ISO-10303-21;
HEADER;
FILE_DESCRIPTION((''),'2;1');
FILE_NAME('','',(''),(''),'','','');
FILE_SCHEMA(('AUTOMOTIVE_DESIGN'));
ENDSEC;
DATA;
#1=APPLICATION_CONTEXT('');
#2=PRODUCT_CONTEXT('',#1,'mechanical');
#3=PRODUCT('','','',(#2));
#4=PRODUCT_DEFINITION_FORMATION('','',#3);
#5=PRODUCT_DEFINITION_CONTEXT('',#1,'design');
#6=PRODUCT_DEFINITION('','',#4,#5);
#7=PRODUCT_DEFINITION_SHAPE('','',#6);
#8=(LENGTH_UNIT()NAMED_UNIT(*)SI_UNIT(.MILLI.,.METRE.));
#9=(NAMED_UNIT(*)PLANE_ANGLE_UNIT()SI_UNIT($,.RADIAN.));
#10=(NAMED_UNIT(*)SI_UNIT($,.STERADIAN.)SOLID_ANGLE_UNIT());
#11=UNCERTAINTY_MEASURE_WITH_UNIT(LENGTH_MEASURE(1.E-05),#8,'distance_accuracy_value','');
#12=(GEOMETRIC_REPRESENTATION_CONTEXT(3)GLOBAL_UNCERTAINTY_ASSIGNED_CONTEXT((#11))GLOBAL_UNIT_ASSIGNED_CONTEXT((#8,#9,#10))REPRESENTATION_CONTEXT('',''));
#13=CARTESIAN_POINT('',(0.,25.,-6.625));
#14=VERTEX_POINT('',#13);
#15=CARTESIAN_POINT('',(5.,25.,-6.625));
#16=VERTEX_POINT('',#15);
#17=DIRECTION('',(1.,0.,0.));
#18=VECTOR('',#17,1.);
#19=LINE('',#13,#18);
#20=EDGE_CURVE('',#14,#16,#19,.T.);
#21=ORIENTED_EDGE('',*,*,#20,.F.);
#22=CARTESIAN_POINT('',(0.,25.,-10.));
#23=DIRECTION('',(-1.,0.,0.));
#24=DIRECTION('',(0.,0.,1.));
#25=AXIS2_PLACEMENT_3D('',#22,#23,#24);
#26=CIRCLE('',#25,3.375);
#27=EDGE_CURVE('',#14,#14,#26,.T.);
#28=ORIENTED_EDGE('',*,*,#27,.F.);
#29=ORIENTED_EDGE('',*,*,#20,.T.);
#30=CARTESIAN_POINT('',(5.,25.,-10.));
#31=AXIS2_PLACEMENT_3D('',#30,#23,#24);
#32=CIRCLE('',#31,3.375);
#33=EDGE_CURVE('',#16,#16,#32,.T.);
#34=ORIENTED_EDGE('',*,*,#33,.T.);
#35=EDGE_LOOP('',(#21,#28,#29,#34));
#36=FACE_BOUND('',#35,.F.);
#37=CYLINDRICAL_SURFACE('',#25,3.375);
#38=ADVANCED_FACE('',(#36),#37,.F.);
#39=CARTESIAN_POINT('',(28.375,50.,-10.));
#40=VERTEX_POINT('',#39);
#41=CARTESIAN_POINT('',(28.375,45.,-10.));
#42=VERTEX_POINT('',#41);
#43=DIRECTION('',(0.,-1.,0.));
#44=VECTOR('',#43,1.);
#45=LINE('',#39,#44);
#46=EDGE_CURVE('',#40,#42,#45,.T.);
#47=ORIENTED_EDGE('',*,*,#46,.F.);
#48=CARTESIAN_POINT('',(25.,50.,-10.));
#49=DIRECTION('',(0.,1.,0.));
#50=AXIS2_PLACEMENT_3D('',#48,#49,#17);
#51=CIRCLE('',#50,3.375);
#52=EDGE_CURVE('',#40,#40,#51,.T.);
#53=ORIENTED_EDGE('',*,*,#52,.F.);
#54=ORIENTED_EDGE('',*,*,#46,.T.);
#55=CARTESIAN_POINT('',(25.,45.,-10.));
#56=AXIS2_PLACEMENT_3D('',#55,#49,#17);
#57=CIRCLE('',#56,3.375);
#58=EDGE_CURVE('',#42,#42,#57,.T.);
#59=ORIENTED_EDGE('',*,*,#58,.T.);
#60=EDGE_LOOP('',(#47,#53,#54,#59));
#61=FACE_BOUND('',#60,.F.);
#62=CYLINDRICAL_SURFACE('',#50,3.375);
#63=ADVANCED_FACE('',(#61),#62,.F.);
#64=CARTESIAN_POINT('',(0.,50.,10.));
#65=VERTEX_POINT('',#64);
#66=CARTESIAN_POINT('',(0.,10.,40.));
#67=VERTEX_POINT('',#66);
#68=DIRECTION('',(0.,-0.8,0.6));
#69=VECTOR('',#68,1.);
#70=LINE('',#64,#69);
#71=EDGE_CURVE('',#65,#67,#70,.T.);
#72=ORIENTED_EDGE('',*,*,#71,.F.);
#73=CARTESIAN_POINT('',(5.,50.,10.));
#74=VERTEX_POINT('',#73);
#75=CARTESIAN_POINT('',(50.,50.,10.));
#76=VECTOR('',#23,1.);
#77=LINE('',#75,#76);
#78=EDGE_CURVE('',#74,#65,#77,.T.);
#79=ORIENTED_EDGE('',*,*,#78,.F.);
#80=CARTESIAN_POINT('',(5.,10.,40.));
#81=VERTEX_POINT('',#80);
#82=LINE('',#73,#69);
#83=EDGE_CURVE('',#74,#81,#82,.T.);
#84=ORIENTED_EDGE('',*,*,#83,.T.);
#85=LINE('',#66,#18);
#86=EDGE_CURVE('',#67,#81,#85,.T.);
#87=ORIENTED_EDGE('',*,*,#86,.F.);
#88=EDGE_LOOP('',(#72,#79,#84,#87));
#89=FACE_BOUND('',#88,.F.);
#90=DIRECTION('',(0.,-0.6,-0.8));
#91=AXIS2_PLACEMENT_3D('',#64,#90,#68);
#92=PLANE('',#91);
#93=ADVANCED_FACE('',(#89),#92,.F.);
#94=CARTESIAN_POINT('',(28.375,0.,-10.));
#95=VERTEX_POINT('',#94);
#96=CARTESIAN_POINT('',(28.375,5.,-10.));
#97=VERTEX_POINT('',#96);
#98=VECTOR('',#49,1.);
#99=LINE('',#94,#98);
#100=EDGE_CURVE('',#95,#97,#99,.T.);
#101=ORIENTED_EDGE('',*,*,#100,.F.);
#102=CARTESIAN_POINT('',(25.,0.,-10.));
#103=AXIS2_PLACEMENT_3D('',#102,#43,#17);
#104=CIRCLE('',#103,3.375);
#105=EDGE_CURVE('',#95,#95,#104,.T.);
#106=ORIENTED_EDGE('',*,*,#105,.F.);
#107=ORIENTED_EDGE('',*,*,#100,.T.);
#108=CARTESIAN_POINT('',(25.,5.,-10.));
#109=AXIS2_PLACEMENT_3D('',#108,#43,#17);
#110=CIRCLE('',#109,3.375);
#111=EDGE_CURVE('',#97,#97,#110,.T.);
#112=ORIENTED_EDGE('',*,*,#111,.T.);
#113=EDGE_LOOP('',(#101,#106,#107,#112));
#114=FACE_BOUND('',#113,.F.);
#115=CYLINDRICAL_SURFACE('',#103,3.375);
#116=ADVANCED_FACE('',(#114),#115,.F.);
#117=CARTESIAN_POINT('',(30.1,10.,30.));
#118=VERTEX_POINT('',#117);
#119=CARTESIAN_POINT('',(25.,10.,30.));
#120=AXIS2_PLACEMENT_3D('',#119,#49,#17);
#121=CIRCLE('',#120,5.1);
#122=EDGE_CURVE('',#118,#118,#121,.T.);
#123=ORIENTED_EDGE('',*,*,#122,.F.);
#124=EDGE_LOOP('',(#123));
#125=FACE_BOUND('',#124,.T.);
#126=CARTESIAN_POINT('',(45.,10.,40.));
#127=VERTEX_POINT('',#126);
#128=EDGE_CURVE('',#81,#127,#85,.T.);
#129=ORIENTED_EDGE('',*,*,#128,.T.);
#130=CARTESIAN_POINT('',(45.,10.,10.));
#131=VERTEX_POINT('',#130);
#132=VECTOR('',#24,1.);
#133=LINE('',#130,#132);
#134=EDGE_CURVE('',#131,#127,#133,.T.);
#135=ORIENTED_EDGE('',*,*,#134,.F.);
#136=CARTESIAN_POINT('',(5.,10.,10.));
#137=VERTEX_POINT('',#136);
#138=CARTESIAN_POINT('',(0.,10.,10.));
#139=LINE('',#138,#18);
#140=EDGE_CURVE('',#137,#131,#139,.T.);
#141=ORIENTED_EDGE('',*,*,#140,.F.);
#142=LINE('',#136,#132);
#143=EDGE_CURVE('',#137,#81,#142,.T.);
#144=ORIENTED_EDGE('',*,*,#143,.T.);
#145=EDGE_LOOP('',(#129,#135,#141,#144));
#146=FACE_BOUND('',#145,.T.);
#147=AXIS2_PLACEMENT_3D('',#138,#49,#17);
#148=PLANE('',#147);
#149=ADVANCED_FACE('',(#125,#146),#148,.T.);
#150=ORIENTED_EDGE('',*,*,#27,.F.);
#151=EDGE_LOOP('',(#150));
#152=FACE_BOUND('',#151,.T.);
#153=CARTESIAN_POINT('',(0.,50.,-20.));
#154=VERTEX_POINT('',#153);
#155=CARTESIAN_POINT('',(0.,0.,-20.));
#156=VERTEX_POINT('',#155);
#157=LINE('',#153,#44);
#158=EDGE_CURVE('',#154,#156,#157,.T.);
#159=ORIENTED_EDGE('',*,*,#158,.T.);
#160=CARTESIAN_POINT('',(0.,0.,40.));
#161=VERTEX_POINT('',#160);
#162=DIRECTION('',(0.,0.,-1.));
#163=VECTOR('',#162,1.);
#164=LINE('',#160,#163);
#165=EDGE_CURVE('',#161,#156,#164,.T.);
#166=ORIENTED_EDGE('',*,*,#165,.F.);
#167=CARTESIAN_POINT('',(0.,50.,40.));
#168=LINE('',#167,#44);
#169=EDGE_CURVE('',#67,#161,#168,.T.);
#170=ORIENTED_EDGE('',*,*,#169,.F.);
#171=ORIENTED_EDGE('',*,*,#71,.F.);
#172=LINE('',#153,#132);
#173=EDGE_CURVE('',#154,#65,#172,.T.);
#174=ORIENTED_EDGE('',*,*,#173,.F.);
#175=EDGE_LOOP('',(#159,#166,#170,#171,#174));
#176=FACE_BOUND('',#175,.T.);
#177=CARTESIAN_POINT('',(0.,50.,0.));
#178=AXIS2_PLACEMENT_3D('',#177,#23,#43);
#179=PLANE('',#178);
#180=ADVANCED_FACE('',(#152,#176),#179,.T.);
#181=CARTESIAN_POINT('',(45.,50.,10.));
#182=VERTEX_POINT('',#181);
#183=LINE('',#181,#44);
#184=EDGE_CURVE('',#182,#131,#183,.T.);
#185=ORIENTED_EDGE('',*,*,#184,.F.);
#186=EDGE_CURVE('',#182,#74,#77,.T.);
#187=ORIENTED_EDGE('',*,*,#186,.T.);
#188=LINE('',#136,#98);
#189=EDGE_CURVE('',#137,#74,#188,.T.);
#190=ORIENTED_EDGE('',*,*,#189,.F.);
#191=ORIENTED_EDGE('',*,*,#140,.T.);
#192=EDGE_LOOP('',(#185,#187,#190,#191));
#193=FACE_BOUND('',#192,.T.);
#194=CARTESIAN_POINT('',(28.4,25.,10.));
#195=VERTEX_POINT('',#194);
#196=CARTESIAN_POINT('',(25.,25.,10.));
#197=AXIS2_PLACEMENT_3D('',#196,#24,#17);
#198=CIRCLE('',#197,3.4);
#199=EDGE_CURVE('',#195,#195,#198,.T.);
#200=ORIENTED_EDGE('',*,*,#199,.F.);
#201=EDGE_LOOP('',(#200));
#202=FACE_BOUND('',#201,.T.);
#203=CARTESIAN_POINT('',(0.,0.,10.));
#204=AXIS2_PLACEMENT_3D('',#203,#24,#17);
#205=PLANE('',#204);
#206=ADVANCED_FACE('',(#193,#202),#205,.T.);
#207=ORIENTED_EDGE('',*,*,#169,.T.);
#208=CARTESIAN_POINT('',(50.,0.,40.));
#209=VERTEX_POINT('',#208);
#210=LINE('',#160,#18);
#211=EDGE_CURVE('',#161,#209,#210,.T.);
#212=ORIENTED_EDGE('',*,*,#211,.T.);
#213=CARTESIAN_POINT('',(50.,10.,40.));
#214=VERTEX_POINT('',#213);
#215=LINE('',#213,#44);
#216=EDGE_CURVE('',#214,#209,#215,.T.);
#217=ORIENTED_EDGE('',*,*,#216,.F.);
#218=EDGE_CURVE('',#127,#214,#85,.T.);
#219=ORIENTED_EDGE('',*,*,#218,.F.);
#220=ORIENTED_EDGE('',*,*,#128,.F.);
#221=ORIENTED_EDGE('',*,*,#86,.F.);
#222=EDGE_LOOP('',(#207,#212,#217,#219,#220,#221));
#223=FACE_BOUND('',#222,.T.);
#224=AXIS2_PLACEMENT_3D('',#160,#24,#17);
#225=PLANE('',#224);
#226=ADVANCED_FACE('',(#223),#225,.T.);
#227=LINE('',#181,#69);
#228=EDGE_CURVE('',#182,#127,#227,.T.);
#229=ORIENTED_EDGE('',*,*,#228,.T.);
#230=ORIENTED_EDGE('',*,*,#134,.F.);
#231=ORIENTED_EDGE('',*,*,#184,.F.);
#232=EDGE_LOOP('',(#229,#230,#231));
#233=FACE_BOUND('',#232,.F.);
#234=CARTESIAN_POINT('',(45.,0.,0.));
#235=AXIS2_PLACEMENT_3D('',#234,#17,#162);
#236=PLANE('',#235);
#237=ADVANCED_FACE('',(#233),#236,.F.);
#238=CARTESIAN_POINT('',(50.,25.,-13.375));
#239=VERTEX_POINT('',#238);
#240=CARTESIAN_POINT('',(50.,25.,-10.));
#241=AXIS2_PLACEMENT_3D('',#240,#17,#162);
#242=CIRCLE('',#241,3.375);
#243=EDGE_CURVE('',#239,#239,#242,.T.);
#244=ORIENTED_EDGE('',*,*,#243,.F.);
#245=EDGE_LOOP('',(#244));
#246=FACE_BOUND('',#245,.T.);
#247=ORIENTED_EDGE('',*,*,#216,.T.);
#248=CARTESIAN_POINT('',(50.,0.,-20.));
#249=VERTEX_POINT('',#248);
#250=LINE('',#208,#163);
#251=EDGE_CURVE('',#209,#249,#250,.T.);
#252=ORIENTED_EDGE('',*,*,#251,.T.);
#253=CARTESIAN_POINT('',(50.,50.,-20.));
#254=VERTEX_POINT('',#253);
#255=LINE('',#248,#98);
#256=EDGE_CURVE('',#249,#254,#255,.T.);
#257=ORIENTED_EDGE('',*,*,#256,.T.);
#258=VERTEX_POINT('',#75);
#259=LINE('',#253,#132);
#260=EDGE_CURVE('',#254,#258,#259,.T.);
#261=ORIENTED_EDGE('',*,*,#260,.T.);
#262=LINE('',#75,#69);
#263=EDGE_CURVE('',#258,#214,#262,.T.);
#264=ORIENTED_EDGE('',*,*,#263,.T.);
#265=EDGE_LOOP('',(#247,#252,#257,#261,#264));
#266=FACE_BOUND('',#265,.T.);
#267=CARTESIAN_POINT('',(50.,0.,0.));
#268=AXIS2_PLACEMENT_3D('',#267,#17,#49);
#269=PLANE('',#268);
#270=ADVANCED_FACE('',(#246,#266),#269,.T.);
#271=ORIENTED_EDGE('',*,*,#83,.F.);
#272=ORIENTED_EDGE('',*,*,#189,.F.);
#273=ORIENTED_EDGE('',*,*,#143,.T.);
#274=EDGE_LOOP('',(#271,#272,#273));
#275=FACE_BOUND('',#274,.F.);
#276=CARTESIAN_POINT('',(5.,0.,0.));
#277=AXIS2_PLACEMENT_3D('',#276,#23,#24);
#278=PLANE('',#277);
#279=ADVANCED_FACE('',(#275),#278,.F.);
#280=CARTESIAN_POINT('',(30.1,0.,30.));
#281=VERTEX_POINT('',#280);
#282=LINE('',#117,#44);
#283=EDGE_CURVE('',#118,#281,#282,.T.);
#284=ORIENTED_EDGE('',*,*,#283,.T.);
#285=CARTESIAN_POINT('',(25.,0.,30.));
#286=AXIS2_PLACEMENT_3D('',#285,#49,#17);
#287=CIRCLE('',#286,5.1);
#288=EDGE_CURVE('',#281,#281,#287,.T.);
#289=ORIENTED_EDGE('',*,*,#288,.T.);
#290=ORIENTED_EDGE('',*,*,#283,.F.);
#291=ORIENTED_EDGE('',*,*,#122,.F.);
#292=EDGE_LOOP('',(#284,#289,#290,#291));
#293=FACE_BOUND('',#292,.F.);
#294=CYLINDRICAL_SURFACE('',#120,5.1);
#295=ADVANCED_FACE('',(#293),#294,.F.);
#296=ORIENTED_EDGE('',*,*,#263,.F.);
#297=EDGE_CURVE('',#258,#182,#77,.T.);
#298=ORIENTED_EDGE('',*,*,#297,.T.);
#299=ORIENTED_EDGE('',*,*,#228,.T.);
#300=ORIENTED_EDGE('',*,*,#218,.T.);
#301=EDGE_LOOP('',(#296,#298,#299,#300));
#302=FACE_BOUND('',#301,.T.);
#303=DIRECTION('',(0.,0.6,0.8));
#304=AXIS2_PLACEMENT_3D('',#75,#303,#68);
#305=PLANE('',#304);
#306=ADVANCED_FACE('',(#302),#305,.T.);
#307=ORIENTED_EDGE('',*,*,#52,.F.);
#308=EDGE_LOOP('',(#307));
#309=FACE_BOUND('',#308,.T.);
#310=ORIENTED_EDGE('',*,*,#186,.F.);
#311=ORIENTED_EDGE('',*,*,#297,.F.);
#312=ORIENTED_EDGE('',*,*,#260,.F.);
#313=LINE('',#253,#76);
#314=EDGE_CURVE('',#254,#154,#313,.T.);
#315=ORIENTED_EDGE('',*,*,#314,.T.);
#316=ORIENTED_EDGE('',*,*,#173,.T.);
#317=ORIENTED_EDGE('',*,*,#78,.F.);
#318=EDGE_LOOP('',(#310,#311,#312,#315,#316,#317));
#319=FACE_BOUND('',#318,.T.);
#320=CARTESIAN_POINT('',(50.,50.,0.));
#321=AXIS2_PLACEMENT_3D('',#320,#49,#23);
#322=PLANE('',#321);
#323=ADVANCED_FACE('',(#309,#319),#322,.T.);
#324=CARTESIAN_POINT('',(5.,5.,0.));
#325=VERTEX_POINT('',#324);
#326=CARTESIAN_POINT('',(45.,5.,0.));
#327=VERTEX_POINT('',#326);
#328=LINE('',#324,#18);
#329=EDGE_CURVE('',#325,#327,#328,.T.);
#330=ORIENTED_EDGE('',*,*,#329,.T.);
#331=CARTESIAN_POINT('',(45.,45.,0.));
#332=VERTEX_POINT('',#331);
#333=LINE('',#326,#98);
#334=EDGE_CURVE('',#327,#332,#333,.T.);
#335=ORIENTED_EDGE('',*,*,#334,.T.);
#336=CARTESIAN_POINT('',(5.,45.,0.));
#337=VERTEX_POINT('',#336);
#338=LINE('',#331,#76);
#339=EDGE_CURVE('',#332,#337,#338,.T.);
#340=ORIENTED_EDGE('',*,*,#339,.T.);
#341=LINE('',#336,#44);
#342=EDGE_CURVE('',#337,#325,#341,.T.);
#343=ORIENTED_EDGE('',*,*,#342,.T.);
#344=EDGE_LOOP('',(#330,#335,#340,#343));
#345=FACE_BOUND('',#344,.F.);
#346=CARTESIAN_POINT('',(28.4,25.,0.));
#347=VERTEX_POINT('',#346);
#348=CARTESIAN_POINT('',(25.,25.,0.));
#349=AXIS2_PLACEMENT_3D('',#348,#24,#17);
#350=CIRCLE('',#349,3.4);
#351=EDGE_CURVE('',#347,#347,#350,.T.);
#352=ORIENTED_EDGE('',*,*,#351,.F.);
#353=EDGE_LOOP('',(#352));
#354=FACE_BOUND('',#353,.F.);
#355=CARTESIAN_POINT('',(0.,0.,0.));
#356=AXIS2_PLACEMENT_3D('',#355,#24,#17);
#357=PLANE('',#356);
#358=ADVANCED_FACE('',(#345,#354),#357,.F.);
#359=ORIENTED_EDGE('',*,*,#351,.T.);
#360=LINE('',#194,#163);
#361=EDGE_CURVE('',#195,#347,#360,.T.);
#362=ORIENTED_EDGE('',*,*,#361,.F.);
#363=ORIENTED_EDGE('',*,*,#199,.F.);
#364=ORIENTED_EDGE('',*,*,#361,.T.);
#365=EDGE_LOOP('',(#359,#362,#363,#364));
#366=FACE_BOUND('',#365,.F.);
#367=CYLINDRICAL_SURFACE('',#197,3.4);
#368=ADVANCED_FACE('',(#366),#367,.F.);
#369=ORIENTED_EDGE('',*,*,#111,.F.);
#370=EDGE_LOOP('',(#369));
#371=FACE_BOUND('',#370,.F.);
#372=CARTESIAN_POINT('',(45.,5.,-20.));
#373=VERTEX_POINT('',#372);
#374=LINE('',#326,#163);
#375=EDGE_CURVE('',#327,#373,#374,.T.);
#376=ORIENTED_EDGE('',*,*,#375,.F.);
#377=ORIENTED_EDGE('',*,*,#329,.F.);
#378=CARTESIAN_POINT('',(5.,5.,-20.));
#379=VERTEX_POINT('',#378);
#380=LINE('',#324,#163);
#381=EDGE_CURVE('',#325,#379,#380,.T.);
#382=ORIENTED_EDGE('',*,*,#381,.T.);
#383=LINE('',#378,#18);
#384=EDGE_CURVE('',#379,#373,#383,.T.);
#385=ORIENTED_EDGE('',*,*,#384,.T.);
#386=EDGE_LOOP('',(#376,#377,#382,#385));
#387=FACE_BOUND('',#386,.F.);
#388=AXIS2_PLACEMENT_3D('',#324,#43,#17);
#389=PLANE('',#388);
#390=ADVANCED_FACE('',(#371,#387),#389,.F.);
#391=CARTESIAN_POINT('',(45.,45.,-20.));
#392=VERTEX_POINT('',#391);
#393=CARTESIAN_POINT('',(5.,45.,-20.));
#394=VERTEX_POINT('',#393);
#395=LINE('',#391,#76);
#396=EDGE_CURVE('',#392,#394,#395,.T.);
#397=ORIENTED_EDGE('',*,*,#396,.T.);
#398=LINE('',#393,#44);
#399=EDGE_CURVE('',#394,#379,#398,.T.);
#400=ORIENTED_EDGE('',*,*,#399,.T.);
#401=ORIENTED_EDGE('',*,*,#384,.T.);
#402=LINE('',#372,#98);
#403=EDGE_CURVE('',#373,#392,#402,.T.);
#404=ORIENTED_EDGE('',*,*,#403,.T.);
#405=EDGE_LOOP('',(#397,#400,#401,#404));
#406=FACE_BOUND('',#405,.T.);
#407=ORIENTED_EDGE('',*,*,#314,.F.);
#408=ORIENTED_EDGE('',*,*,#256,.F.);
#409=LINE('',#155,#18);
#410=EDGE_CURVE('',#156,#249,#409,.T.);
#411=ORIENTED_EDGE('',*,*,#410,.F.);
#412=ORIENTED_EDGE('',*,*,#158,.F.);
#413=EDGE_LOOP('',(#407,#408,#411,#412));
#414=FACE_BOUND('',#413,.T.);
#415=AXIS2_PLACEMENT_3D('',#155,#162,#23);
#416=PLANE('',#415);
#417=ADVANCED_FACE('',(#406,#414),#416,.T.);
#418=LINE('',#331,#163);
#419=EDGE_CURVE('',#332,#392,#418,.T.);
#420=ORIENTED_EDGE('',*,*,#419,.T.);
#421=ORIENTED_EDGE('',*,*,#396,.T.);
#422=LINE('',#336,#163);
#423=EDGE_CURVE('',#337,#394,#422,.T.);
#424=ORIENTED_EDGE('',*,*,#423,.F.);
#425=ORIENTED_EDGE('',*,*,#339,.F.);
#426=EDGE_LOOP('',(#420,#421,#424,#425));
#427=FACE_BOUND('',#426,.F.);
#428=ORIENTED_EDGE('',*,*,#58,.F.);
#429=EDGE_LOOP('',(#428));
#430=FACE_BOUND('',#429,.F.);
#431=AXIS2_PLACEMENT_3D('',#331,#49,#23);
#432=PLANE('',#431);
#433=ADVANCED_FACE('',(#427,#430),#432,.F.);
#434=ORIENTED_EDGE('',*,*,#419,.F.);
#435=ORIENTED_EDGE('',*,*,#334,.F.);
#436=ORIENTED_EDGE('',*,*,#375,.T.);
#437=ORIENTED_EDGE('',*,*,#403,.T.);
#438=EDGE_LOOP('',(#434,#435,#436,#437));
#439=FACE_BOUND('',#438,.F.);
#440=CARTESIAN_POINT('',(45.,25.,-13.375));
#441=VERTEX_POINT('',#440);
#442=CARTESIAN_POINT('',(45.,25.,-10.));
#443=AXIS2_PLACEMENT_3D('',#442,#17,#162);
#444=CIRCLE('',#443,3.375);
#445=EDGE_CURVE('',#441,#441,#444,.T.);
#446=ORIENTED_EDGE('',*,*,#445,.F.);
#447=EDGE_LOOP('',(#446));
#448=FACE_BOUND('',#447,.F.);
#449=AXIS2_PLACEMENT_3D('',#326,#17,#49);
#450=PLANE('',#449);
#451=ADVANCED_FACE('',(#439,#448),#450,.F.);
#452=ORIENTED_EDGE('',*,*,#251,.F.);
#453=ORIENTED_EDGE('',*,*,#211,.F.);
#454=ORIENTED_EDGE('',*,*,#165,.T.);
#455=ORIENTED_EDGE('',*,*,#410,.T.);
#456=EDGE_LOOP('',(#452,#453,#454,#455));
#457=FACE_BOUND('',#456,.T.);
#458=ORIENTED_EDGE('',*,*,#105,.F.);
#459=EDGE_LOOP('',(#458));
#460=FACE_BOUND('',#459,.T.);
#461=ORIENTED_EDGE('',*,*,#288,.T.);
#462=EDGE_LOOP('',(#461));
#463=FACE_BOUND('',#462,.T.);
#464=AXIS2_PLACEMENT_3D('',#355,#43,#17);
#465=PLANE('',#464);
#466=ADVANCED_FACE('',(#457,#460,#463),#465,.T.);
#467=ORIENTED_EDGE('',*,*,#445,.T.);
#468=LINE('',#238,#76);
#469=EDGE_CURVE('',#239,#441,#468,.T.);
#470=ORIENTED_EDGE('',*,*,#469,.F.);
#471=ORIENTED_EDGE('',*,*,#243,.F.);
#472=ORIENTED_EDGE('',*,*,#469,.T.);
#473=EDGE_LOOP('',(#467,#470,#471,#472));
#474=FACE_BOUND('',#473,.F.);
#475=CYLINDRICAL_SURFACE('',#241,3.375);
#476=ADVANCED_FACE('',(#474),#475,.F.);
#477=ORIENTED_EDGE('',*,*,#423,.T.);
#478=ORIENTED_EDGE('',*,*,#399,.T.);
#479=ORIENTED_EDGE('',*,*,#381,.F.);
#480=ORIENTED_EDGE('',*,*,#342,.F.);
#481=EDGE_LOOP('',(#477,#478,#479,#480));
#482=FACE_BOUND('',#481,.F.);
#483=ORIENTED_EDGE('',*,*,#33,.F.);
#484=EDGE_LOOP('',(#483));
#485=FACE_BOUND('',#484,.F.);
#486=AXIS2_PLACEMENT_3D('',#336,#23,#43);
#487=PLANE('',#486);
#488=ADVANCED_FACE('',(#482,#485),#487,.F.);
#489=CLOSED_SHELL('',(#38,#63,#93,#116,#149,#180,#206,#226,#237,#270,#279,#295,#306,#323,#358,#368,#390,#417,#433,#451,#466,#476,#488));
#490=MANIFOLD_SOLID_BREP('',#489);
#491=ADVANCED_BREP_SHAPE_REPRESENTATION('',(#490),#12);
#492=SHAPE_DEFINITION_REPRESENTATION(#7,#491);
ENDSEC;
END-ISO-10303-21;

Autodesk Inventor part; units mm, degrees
ref_plane "YZ Plane" through (0, 0, 0) normal (1, 0, 0) x (0, 1, 0)
ref_plane "XZ Plane" through (0, 0, 0) normal (0, 1, 0) x (-1, 0, 0)
ref_plane "XY Plane" through (0, 0, 0) normal (0, 0, 1) x (1, 0, 0)
sketch "Boceto1" plane through (0, 0, 0) normal (0, 0, 1) x (1, 0, 0)
  line L0 (0, 0) -> (50, 0)
  line L1 (50, 0) -> (50, 50)
  line L2 (50, 50) -> (0, 50)
  line L3 (0, 50) -> (0, 0)
  line L4 (50, 0) -> (0, 0)
  line L5 (0, 0) -> (0, 10)
  line L6 (0, 10) -> (50, 10)
  line L7 (50, 10) -> (50, 0)
  dimension "d0" = 50
  dimension "d1" = 50
  dimension "d2" = 10
extrude "Extrusión1" add sketch "Boceto1" along normal blind 10
sketch "Boceto2" plane through (0, 0, 10) normal (0, 0, 1) x (1, 0, 0)
  line L0 (0, 0) -> (50, 0) projected
  line L1 (0, 50) -> (0, 0) projected
  line L2 (50, 0) -> (0, 0)
  line L3 (0, 0) -> (0, 10)
  line L4 (0, 10) -> (50, 10)
  line L5 (50, 10) -> (50, 0)
  dimension "d5" = 10
extrude "Extrusión2" add sketch "Boceto2" along normal blind 30
sketch "Boceto3" plane through (0, 0, 10) normal (0, 0, 1) x (1, 0, 0)
  circle A0 centre (25, 25) radius 3.4
  line L0 (0, 50) -> (0, 10) projected
  line L1 (0, 0) -> (50, 0) projected
  dimension "d8" = 6.8
  dimension "d9" = 25
  dimension "d10" = 25
extrude "Extrusión3" cut sketch "Boceto3" against normal blind 10
sketch "Boceto4" plane through (0, 10, 10) normal (0, 1, 0) x (1, 0, 0)
  circle A0 centre (25, -20) radius 5.1
  line L0 (50, 10) -> (0, 10) projected
  line L1 (0, 0) -> (0, -30) projected
  dimension "d13" = 10.2
  dimension "d14" = 30
  dimension "d15" = 25
extrude "Extrusión4" cut sketch "Boceto4" against normal blind 10
sketch "Boceto5" plane through (0, 0, 0) normal (-1, 0, 0) x (0, 0, 1)
  line L0 (0, 50) -> (10, 50) projected
  line L1 (10, 10) -> (40, 10) projected
  line L2 (10, 50) -> (40, 10)
  line L3 (40, 10) -> (10, 10)
  line L4 (10, 10) -> (10, 50)
  line L5 (10, 50) -> (10, 10) projected
  point P0 (0, 0)
extrude "Extrusión5" add sketch "Boceto5" against normal blind 5
sketch "Boceto6" plane through (50, 0, 0) normal (1, 0, 0) x (0, 0, -1)
  line L0 (-10, 50) -> (-40, 10) projected
  line L1 (-10, 10) -> (-40, 10) projected
  line L2 (-10, 50) -> (-40, 10)
  line L3 (-40, 10) -> (-10, 10)
  line L4 (-10, 50) -> (-10, 10) projected
  line L5 (-10, 10) -> (-10, 50)
  point P0 (0, 0)
sketch "Boceto7" plane through (50, 0, 0) normal (1, 0, 0) x (0, 0, -1)
  point P0 (0, 0)
sketch "Boceto8" plane through (0, 0, 10) normal (0, 0, 1) x (1, 0, 0)
  point P0 (0, 0)
extrude "Extrusión6" add sketch "Boceto6" against normal blind 5
sketch "Boceto9" plane through (0, 0, 0) normal (0, 0, -1) x (-1, 0, 0)
  line L0 (-5, 5) -> (-45, 5)
  line L1 (-45, 5) -> (-45, 45)
  line L2 (-45, 45) -> (-5, 45)
  line L3 (-5, 45) -> (-5, 5)
  line L4 (-50, 0) -> (-50, 50) projected
  line L5 (-50, 50) -> (0, 50) projected
  line L6 (0, 50) -> (0, 0) projected
  line L7 (0, 0) -> (-50, 0)
  line L8 (-50, 0) -> (-50, 50)
  line L9 (-50, 50) -> (0, 50)
  line L10 (0, 50) -> (0, 0)
extrude "Extrusión7" add sketch "Boceto9" along normal blind 20
sketch "Boceto10" plane through (50, 0, 40) normal (1, 0, 0) x (0, 0, -1)
  line L0 (0, 0) -> (0, 10) projected
  circle A0 centre (50, 25) radius 3.375
  line L1 (60, 0) -> (0, 0) projected
  line L2 (60, 50) -> (60, 0) projected
  point P0 (40, 0)
  dimension "d28" = 40
  dimension "d29" = 6.75
sketch "Boceto11" plane through (0, 0, 40) normal (0, -1, 0) x (1, 0, 0)
  circle A0 centre (25, -50) radius 3.375
  line L0 (0, -60) -> (0, 0) projected
  line L1 (50, -60) -> (0, -60) projected
  point P0 (0, -40)
  dimension "d32" = 6.75
sketch "Boceto12" plane through (0, 0, 40) normal (-1, 0, 0) x (0, 0, 1)
  circle A0 centre (-50, 25) radius 3.375
  line L0 (-60, 0) -> (-60, 50) projected
  line L1 (-30, 50) -> (-60, 50) projected
  point P0 (-40, 0)
  dimension "d35" = 6.75
sketch "Boceto13" plane through (0, 50, 10) normal (0, 1, 0) x (1, 0, 0)
  circle A0 centre (25, 20) radius 3.375
  line L0 (0, 30) -> (50, 30) projected
  line L1 (50, 30) -> (50, 0) projected
  point P0 (0, 10)
  dimension "d38" = 6.75
  dimension "d39" = 10
  dimension "d40" = 25
extrude "Extrusión8" cut sketch "Boceto13" against normal blind 5
extrude "Extrusión9" cut sketch "Boceto10" against normal blind 5
extrude "Extrusión10" cut sketch "Boceto11" against normal blind 5
extrude "Extrusión11" cut sketch "Boceto12" against normal blind 5
properties part number "UnionLlantaOmega" material "Plástico ABS"
